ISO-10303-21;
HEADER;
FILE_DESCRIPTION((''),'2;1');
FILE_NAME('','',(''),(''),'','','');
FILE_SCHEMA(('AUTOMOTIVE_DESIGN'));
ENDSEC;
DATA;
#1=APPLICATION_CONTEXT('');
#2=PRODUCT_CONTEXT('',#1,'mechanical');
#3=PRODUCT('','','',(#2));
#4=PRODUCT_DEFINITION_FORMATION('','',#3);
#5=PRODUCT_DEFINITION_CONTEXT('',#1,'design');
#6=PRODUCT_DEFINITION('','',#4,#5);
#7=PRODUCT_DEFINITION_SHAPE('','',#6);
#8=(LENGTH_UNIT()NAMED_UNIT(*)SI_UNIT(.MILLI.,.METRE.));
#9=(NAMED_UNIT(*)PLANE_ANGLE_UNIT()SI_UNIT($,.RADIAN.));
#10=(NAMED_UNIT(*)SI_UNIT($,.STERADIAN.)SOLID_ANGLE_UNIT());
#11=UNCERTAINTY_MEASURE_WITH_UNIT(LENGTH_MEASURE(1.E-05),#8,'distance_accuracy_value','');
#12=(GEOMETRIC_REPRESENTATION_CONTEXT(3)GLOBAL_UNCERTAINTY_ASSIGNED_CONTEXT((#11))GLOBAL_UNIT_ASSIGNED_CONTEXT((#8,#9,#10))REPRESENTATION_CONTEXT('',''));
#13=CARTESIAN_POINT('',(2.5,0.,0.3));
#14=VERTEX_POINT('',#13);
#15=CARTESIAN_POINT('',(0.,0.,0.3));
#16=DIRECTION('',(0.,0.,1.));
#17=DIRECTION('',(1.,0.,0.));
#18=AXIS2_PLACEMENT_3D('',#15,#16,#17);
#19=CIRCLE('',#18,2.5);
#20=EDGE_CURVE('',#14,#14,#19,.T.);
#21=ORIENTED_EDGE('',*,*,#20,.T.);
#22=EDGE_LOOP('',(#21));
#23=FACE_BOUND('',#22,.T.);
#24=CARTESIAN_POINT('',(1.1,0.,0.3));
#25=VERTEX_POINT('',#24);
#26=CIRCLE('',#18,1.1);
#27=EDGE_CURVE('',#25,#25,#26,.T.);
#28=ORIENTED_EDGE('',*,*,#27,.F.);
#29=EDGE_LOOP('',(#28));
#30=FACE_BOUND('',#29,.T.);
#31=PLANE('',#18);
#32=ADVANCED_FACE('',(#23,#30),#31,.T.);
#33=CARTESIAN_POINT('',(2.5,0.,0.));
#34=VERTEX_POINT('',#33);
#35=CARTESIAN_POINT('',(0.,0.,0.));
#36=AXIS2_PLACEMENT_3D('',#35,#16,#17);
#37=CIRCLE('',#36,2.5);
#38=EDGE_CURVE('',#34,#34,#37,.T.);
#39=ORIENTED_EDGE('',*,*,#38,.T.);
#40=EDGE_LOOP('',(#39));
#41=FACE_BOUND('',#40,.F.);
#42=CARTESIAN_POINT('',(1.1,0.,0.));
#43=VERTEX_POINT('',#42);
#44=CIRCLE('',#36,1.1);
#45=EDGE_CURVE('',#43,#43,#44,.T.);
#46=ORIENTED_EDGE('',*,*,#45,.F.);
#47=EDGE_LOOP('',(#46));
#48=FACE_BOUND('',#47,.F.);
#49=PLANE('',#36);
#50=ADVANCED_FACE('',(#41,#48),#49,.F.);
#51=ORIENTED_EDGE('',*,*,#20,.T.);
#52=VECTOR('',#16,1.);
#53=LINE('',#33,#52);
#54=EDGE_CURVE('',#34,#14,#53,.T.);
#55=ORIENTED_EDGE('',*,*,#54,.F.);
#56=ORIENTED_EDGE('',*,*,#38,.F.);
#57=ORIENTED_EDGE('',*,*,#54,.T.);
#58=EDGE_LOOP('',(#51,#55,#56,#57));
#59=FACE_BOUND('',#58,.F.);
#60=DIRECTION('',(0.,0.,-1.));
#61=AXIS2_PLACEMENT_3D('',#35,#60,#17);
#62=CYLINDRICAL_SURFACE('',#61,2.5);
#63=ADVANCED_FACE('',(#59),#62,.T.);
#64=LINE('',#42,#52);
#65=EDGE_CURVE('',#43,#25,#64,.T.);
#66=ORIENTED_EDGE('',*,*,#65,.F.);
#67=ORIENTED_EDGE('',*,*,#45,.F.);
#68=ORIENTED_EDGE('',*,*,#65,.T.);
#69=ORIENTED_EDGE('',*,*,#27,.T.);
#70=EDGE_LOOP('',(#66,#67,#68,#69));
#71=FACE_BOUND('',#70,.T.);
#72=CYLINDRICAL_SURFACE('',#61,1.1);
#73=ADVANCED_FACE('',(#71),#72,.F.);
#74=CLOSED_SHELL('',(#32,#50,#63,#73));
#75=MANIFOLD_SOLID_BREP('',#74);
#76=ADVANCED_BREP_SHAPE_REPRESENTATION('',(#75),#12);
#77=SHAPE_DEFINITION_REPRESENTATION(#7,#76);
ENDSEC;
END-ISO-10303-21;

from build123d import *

# Parameters (mm, degrees)
SKETCH_R   = 2.5
SKETCH_R_2 = 1.1
PAD_DEPTH  = 0.3


with BuildPart() as part:
    # Sketch → Pad (new body)
    with BuildSketch(Plane.XY):
        Circle(SKETCH_R)
        Circle(SKETCH_R_2, mode=Mode.SUBTRACT)
    extrude(amount=PAD_DEPTH)


solid = part.part
